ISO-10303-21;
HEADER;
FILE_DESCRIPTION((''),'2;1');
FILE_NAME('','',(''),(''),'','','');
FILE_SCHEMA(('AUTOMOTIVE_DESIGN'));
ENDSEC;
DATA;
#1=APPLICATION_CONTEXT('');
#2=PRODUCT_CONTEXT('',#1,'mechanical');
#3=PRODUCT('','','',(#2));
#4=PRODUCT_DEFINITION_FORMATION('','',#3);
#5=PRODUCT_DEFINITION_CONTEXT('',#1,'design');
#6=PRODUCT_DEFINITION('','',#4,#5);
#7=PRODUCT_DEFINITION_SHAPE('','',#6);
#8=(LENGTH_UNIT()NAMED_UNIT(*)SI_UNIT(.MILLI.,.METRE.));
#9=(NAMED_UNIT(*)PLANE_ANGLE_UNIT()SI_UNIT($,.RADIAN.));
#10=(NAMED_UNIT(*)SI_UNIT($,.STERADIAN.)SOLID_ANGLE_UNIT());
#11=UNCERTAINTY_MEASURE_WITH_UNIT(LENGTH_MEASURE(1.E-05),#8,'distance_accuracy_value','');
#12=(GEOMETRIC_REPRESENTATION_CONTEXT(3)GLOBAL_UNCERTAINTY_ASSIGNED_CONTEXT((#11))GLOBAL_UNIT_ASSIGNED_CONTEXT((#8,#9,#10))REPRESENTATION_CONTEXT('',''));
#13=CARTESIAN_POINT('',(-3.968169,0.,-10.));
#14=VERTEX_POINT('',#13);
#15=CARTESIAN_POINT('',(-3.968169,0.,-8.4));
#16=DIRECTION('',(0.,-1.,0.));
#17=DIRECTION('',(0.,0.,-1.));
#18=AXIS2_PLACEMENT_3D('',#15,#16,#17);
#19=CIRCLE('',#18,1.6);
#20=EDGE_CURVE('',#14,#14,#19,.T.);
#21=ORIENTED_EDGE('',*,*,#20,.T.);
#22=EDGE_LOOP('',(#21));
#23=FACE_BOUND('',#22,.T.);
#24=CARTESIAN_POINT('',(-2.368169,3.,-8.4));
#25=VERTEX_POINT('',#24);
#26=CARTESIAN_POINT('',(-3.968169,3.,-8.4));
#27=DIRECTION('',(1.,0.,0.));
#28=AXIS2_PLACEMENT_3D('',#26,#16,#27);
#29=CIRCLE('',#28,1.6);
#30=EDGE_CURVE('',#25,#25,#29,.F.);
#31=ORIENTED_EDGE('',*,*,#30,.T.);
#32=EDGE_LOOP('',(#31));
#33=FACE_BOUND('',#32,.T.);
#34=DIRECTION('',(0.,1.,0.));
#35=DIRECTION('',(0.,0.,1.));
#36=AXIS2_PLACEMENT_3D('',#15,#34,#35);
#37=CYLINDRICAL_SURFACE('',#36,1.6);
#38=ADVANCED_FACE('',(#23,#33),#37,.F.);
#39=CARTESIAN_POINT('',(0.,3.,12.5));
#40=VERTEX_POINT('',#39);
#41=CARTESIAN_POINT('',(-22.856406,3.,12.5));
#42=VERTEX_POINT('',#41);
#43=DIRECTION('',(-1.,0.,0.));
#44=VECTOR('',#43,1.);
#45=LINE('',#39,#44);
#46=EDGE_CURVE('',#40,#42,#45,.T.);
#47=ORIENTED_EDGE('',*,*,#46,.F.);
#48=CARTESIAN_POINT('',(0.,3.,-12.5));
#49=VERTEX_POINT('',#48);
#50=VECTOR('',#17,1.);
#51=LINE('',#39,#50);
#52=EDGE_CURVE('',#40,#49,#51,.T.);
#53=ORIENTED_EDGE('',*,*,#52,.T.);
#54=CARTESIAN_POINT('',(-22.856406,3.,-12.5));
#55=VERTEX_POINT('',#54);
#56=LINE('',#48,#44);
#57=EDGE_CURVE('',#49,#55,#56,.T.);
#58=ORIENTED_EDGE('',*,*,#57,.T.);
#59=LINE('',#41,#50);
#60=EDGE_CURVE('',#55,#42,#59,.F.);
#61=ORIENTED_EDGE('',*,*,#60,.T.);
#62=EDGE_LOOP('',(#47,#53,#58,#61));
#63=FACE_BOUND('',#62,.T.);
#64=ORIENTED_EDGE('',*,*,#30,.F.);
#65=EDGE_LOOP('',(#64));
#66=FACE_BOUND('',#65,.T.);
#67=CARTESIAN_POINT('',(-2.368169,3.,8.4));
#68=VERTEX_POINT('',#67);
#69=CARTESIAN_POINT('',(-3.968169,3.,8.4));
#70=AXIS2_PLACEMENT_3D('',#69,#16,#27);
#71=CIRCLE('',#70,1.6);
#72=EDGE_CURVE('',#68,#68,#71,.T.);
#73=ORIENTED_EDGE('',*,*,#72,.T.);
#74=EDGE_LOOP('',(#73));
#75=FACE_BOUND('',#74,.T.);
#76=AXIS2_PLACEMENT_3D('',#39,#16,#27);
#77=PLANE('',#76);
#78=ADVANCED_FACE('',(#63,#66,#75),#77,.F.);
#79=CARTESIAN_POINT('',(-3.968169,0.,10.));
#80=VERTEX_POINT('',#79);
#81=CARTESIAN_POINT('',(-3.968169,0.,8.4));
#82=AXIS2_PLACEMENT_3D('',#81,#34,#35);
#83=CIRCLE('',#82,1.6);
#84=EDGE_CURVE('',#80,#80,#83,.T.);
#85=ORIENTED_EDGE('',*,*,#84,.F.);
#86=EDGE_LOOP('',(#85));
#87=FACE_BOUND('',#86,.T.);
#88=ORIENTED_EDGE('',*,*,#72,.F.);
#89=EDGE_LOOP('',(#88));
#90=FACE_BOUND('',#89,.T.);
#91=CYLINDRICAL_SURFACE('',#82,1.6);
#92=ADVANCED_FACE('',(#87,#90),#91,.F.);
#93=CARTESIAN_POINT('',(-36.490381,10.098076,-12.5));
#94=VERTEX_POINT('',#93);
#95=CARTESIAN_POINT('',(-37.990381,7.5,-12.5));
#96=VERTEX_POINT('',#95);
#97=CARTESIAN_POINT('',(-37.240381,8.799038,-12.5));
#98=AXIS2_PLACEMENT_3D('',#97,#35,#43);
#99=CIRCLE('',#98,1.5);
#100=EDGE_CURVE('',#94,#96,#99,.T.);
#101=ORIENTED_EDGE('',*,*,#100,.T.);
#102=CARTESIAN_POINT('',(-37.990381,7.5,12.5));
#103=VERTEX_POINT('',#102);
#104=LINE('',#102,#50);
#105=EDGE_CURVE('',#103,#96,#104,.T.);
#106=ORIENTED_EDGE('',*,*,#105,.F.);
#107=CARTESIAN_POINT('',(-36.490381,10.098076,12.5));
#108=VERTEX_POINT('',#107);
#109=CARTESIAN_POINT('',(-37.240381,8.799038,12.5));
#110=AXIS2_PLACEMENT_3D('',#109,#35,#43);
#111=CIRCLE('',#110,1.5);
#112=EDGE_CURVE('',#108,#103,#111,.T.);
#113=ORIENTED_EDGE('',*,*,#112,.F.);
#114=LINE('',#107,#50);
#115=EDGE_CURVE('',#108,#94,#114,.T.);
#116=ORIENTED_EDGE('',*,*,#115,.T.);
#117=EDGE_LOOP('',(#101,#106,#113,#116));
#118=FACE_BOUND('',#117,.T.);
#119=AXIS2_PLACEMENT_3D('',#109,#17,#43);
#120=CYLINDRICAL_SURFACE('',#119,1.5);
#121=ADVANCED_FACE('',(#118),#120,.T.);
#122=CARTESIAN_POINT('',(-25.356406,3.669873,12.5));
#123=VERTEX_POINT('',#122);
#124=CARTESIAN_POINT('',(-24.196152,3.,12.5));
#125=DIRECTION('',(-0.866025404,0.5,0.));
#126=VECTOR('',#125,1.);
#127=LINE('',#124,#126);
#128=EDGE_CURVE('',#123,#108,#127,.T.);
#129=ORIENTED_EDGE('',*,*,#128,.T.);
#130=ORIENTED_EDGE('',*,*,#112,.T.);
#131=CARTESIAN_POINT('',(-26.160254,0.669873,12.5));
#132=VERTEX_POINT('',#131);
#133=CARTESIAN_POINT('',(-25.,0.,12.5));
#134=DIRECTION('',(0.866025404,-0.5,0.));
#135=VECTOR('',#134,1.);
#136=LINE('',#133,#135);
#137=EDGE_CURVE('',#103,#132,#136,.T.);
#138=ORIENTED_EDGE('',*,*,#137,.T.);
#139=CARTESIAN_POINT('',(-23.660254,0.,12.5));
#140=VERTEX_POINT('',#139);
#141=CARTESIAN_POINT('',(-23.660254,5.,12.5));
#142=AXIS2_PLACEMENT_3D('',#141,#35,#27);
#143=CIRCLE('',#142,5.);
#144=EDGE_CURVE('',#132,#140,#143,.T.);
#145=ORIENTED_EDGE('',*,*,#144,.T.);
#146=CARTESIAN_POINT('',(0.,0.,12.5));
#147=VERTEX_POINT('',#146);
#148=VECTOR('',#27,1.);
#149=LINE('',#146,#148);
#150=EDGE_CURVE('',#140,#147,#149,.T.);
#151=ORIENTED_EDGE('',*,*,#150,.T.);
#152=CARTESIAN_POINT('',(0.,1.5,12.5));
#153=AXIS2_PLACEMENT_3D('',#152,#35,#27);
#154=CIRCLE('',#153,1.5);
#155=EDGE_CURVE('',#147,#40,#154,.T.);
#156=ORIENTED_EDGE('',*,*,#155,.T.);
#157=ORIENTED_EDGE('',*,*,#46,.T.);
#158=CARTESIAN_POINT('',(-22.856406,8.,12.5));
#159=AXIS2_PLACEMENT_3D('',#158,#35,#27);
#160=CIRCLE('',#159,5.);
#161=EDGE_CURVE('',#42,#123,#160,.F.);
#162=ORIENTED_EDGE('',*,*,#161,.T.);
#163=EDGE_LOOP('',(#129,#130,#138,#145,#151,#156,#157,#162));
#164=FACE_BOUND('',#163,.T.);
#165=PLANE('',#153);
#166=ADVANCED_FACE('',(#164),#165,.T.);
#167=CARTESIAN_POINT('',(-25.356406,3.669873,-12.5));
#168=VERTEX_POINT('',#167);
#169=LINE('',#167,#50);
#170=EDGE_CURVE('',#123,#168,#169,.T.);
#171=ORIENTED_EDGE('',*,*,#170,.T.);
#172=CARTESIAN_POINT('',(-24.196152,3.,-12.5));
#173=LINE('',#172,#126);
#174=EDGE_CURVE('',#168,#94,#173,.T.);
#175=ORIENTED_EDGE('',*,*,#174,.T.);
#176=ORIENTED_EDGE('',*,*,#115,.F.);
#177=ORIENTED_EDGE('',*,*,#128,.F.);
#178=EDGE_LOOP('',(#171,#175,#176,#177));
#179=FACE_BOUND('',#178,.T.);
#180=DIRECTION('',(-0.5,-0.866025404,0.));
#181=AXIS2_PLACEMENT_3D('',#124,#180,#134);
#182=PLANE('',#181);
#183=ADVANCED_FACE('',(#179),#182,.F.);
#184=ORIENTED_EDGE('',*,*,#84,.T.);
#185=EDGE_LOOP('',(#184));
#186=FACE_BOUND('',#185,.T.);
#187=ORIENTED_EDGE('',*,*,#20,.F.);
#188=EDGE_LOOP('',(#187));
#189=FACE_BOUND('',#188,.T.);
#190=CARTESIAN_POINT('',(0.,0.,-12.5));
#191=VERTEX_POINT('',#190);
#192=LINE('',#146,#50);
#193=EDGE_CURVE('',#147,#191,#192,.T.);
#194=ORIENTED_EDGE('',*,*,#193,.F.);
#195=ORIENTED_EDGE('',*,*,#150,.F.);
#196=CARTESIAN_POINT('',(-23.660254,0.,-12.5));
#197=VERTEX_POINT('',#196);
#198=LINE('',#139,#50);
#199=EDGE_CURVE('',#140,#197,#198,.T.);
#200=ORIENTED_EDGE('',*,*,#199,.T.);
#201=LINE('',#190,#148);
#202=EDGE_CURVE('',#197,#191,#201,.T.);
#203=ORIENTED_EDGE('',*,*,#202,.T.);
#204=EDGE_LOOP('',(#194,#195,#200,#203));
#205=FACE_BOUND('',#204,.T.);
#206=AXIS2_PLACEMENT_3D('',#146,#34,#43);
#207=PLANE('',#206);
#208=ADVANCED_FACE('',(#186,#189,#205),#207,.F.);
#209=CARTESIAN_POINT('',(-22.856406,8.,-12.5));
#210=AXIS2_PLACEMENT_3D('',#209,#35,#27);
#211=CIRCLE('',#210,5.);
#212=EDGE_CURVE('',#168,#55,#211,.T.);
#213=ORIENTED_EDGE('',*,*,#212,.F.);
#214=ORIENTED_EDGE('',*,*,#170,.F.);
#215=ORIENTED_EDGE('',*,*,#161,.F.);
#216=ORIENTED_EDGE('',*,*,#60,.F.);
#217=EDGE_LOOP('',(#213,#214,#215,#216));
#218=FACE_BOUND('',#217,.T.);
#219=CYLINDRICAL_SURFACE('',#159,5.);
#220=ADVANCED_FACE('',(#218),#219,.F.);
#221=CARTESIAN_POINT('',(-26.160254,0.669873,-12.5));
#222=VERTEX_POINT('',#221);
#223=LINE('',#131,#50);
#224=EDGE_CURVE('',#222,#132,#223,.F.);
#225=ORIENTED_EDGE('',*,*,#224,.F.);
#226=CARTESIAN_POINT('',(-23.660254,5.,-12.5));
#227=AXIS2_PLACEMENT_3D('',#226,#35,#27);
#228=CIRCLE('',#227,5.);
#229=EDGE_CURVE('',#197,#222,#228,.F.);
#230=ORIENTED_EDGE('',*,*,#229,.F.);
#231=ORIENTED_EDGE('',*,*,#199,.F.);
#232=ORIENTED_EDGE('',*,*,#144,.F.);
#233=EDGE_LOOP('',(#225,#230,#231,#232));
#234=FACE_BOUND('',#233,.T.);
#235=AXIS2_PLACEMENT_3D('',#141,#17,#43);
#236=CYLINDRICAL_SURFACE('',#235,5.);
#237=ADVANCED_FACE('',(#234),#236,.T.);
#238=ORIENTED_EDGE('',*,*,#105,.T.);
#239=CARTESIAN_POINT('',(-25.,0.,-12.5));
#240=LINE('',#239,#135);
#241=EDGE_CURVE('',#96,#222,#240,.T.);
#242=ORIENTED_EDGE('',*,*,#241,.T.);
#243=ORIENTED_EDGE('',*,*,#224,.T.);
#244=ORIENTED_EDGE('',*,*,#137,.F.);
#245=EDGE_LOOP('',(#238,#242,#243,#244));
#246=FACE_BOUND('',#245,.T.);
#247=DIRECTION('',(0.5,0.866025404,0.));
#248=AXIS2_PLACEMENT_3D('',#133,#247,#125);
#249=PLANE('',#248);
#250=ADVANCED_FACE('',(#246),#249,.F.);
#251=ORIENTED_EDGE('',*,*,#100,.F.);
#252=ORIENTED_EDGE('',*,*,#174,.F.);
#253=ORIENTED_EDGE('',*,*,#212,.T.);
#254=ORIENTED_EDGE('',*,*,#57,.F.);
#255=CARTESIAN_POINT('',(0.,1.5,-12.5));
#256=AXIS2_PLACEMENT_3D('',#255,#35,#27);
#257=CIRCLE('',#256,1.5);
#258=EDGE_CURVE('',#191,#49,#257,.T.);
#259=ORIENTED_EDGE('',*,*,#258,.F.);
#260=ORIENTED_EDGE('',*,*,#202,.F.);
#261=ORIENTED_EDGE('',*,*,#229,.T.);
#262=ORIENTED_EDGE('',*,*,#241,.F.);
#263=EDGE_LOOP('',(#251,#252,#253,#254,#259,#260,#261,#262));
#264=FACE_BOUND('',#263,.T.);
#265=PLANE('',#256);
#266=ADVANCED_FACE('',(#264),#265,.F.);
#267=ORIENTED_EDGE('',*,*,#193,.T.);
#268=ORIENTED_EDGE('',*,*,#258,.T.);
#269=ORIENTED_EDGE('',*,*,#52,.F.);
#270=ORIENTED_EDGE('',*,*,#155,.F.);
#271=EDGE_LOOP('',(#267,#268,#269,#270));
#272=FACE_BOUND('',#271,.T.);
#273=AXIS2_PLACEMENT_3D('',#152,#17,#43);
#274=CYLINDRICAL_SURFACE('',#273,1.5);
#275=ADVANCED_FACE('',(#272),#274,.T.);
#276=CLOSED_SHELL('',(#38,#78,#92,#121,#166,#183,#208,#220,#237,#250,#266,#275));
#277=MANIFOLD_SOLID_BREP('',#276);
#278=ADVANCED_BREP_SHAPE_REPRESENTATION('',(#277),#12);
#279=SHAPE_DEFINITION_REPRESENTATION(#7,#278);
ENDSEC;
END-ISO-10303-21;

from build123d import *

# Parameters (mm, degrees)
BOSS_EXTRUDE1_DEPTH = 12.5
SKETCH2_R           = 1.6
CUT_EXTRUDE1_DEPTH  = 42.356294342
FILLET1_R           = 5


with BuildPart() as part:
    # Sketch1 → Boss-Extrude1 (new, symmetric)
    with BuildSketch(Plane.XY):
        with BuildLine():
            Line((0, 0), (-25, 0))
            Line((-25, 0), (-37.990381057, 7.5))
            ThreePointArc((-37.990381057, 7.5), (-38.539419162, 9.549038106), (-36.490381057, 10.098076211))
            Line((-36.490381057, 10.098076211), (-24.196152423, 3))
            Line((-24.196152423, 3), (0, 3))
            ThreePointArc((0, 3), (1.5, 1.5), (0, 0))
        make_face()
    extrude(amount=BOSS_EXTRUDE1_DEPTH, both=True)

    # Sketch2 → Cut-Extrude1 (cut, symmetric)
    with BuildSketch(Plane(origin=(0, 3, 0), x_dir=(1, 0, 0), z_dir=(0, 1, 0))):
        with Locations(Location((-3.968168997, -8.4, 0), (0, 0, 270))):
            Circle(SKETCH2_R)
    cut_extrude1 = extrude(amount=CUT_EXTRUDE1_DEPTH, both=True, mode=Mode.SUBTRACT)

    # Mirror1: Cut-Extrude1 across plane
    add(cut_extrude1.mirror(Plane.XY), mode=Mode.SUBTRACT)

    # Fillet1
    fillet1_edges = [part.edges().sort_by_distance(p)[0] for p in [
        (-25, 0, 0),
        (-24.196152423, 3, 0),
    ]]
    fillet(fillet1_edges, radius=FILLET1_R)


solid = part.part
